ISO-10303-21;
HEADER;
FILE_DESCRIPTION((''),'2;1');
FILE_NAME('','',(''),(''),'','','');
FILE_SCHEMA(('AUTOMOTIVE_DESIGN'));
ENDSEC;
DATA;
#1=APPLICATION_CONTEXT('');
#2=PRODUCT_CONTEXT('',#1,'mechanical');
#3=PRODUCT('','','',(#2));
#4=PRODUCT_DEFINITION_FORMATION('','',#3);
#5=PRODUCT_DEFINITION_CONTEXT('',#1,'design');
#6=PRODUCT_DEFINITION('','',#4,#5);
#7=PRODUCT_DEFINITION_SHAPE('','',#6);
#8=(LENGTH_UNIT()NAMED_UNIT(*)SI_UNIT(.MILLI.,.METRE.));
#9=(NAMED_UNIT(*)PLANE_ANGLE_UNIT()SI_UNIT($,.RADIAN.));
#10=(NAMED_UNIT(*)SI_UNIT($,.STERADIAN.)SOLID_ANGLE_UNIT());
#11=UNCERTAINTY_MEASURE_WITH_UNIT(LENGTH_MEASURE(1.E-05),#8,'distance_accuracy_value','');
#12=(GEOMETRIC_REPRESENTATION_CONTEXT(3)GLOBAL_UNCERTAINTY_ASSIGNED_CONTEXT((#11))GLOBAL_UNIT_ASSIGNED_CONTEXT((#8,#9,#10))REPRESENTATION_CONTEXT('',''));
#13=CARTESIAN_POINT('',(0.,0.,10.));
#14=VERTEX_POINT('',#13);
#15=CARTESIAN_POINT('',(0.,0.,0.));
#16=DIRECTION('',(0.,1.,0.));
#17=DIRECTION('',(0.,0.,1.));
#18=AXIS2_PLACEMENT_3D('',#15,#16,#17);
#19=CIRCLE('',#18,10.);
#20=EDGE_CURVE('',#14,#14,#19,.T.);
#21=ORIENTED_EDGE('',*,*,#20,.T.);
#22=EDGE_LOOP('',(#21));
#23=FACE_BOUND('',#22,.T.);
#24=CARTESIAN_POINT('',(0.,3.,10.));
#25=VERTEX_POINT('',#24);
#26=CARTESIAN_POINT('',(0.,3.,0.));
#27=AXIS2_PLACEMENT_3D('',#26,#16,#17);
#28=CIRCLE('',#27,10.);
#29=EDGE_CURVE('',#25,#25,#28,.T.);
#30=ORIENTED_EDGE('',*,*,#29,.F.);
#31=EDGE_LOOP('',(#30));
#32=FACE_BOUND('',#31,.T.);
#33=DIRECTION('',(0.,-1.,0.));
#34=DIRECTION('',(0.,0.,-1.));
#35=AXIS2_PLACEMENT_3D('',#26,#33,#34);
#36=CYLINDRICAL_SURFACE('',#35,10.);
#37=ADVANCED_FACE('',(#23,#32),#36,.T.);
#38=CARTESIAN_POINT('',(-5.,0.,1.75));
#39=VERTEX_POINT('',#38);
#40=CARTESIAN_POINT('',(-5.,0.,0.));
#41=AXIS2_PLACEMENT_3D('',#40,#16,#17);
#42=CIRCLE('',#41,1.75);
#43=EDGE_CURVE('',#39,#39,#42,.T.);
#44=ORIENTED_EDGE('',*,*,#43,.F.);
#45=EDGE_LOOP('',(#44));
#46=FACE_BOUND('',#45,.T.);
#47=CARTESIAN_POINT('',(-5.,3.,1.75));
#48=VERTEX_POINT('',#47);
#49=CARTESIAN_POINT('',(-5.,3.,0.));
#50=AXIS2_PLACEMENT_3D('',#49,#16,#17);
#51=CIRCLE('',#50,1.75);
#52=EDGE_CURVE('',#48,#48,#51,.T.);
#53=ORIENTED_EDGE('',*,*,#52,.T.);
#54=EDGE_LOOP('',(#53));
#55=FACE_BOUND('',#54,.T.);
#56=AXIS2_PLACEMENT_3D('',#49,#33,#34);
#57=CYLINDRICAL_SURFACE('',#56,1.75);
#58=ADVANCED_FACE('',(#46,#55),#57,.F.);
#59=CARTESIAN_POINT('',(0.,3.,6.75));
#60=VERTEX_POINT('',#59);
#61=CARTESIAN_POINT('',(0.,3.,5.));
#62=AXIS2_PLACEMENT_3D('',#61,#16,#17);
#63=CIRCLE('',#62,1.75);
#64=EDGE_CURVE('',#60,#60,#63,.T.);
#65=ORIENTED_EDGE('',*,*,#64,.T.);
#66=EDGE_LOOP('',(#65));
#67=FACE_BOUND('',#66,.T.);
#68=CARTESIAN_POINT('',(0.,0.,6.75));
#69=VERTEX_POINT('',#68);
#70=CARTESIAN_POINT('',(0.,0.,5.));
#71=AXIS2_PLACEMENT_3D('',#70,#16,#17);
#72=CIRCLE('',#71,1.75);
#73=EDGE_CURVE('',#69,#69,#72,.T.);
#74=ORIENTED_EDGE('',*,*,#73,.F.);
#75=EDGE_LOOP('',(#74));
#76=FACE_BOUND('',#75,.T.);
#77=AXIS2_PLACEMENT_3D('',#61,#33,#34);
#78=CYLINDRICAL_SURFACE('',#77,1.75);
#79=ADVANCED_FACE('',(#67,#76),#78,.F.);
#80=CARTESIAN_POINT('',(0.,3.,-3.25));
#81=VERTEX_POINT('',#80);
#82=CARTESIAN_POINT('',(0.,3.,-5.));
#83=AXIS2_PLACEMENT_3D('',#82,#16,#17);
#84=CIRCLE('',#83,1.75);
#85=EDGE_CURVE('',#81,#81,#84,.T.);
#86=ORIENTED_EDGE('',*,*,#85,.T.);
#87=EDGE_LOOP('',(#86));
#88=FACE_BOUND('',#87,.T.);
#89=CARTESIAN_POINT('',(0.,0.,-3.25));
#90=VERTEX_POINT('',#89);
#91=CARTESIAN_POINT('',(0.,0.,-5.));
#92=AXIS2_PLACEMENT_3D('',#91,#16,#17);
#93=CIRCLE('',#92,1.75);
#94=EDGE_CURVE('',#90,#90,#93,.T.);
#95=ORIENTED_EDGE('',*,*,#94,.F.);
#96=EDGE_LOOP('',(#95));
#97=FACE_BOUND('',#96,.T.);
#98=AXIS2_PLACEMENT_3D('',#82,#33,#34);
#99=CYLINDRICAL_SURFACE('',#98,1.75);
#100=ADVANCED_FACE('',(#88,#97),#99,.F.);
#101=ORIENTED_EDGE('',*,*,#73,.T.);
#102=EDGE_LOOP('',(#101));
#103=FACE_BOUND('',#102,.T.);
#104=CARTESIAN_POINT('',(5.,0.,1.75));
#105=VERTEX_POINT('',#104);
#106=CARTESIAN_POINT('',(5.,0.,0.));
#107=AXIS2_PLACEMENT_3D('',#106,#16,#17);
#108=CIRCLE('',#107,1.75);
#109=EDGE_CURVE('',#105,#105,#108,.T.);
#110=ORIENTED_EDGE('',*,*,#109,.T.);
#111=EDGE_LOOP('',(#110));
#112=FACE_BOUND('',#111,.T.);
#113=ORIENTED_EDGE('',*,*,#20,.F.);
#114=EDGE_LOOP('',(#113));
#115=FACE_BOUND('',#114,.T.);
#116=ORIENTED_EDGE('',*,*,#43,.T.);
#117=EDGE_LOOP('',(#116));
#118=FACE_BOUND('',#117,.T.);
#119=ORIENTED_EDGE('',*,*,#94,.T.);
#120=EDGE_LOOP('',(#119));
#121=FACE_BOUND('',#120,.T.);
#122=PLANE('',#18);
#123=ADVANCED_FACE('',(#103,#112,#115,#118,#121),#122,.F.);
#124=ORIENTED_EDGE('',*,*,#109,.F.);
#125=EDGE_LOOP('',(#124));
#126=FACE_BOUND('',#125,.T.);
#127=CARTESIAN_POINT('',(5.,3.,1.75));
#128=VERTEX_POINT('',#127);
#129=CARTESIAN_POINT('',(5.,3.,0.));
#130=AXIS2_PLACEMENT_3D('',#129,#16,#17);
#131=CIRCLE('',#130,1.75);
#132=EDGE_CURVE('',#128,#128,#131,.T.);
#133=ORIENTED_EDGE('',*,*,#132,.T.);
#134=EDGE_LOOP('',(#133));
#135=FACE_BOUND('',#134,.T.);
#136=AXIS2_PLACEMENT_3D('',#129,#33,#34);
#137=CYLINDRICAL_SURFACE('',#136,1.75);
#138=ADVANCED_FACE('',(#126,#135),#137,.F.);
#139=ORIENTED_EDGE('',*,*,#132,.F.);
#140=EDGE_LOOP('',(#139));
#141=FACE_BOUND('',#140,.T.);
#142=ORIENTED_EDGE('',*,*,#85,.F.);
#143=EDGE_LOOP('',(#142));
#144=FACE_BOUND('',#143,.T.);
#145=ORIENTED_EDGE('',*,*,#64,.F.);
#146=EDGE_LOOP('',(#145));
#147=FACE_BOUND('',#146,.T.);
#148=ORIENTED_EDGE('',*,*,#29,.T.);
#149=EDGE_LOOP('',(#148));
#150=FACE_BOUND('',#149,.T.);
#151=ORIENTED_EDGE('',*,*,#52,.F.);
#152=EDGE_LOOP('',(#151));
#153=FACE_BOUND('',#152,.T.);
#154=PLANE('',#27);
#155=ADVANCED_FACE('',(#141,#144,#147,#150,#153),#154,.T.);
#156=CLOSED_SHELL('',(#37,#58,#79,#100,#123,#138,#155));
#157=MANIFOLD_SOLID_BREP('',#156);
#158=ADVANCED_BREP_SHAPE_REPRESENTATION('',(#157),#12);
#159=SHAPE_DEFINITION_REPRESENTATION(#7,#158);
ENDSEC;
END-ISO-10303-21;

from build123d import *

# Parameters (mm, degrees)
SKETCH1_R           = 10
SKETCH1_R_2         = 1.75
BOSS_EXTRUDE1_DEPTH = 3


with BuildPart() as part:
    # Sketch1 → Boss-Extrude1 (new body)
    with BuildSketch(Plane(origin=(0, 0, 0), x_dir=(1, 0, 0), z_dir=(0, 1, 0))):
        with Locations(Location((0, 0, 0), (0, 0, 270))):
            Circle(SKETCH1_R)
        with Locations(Location((0, 5, 0), (0, 0, 270))):
            Circle(SKETCH1_R_2, mode=Mode.SUBTRACT)
        with Locations(Location((5, 0, 0), (0, 0, 270))):
            Circle(SKETCH1_R_2, mode=Mode.SUBTRACT)
        with Locations(Location((0, -5, 0), (0, 0, 270))):
            Circle(SKETCH1_R_2, mode=Mode.SUBTRACT)
        with Locations(Location((-5, 0, 0), (0, 0, 270))):
            Circle(SKETCH1_R_2, mode=Mode.SUBTRACT)
    extrude(amount=BOSS_EXTRUDE1_DEPTH)


solid = part.part
